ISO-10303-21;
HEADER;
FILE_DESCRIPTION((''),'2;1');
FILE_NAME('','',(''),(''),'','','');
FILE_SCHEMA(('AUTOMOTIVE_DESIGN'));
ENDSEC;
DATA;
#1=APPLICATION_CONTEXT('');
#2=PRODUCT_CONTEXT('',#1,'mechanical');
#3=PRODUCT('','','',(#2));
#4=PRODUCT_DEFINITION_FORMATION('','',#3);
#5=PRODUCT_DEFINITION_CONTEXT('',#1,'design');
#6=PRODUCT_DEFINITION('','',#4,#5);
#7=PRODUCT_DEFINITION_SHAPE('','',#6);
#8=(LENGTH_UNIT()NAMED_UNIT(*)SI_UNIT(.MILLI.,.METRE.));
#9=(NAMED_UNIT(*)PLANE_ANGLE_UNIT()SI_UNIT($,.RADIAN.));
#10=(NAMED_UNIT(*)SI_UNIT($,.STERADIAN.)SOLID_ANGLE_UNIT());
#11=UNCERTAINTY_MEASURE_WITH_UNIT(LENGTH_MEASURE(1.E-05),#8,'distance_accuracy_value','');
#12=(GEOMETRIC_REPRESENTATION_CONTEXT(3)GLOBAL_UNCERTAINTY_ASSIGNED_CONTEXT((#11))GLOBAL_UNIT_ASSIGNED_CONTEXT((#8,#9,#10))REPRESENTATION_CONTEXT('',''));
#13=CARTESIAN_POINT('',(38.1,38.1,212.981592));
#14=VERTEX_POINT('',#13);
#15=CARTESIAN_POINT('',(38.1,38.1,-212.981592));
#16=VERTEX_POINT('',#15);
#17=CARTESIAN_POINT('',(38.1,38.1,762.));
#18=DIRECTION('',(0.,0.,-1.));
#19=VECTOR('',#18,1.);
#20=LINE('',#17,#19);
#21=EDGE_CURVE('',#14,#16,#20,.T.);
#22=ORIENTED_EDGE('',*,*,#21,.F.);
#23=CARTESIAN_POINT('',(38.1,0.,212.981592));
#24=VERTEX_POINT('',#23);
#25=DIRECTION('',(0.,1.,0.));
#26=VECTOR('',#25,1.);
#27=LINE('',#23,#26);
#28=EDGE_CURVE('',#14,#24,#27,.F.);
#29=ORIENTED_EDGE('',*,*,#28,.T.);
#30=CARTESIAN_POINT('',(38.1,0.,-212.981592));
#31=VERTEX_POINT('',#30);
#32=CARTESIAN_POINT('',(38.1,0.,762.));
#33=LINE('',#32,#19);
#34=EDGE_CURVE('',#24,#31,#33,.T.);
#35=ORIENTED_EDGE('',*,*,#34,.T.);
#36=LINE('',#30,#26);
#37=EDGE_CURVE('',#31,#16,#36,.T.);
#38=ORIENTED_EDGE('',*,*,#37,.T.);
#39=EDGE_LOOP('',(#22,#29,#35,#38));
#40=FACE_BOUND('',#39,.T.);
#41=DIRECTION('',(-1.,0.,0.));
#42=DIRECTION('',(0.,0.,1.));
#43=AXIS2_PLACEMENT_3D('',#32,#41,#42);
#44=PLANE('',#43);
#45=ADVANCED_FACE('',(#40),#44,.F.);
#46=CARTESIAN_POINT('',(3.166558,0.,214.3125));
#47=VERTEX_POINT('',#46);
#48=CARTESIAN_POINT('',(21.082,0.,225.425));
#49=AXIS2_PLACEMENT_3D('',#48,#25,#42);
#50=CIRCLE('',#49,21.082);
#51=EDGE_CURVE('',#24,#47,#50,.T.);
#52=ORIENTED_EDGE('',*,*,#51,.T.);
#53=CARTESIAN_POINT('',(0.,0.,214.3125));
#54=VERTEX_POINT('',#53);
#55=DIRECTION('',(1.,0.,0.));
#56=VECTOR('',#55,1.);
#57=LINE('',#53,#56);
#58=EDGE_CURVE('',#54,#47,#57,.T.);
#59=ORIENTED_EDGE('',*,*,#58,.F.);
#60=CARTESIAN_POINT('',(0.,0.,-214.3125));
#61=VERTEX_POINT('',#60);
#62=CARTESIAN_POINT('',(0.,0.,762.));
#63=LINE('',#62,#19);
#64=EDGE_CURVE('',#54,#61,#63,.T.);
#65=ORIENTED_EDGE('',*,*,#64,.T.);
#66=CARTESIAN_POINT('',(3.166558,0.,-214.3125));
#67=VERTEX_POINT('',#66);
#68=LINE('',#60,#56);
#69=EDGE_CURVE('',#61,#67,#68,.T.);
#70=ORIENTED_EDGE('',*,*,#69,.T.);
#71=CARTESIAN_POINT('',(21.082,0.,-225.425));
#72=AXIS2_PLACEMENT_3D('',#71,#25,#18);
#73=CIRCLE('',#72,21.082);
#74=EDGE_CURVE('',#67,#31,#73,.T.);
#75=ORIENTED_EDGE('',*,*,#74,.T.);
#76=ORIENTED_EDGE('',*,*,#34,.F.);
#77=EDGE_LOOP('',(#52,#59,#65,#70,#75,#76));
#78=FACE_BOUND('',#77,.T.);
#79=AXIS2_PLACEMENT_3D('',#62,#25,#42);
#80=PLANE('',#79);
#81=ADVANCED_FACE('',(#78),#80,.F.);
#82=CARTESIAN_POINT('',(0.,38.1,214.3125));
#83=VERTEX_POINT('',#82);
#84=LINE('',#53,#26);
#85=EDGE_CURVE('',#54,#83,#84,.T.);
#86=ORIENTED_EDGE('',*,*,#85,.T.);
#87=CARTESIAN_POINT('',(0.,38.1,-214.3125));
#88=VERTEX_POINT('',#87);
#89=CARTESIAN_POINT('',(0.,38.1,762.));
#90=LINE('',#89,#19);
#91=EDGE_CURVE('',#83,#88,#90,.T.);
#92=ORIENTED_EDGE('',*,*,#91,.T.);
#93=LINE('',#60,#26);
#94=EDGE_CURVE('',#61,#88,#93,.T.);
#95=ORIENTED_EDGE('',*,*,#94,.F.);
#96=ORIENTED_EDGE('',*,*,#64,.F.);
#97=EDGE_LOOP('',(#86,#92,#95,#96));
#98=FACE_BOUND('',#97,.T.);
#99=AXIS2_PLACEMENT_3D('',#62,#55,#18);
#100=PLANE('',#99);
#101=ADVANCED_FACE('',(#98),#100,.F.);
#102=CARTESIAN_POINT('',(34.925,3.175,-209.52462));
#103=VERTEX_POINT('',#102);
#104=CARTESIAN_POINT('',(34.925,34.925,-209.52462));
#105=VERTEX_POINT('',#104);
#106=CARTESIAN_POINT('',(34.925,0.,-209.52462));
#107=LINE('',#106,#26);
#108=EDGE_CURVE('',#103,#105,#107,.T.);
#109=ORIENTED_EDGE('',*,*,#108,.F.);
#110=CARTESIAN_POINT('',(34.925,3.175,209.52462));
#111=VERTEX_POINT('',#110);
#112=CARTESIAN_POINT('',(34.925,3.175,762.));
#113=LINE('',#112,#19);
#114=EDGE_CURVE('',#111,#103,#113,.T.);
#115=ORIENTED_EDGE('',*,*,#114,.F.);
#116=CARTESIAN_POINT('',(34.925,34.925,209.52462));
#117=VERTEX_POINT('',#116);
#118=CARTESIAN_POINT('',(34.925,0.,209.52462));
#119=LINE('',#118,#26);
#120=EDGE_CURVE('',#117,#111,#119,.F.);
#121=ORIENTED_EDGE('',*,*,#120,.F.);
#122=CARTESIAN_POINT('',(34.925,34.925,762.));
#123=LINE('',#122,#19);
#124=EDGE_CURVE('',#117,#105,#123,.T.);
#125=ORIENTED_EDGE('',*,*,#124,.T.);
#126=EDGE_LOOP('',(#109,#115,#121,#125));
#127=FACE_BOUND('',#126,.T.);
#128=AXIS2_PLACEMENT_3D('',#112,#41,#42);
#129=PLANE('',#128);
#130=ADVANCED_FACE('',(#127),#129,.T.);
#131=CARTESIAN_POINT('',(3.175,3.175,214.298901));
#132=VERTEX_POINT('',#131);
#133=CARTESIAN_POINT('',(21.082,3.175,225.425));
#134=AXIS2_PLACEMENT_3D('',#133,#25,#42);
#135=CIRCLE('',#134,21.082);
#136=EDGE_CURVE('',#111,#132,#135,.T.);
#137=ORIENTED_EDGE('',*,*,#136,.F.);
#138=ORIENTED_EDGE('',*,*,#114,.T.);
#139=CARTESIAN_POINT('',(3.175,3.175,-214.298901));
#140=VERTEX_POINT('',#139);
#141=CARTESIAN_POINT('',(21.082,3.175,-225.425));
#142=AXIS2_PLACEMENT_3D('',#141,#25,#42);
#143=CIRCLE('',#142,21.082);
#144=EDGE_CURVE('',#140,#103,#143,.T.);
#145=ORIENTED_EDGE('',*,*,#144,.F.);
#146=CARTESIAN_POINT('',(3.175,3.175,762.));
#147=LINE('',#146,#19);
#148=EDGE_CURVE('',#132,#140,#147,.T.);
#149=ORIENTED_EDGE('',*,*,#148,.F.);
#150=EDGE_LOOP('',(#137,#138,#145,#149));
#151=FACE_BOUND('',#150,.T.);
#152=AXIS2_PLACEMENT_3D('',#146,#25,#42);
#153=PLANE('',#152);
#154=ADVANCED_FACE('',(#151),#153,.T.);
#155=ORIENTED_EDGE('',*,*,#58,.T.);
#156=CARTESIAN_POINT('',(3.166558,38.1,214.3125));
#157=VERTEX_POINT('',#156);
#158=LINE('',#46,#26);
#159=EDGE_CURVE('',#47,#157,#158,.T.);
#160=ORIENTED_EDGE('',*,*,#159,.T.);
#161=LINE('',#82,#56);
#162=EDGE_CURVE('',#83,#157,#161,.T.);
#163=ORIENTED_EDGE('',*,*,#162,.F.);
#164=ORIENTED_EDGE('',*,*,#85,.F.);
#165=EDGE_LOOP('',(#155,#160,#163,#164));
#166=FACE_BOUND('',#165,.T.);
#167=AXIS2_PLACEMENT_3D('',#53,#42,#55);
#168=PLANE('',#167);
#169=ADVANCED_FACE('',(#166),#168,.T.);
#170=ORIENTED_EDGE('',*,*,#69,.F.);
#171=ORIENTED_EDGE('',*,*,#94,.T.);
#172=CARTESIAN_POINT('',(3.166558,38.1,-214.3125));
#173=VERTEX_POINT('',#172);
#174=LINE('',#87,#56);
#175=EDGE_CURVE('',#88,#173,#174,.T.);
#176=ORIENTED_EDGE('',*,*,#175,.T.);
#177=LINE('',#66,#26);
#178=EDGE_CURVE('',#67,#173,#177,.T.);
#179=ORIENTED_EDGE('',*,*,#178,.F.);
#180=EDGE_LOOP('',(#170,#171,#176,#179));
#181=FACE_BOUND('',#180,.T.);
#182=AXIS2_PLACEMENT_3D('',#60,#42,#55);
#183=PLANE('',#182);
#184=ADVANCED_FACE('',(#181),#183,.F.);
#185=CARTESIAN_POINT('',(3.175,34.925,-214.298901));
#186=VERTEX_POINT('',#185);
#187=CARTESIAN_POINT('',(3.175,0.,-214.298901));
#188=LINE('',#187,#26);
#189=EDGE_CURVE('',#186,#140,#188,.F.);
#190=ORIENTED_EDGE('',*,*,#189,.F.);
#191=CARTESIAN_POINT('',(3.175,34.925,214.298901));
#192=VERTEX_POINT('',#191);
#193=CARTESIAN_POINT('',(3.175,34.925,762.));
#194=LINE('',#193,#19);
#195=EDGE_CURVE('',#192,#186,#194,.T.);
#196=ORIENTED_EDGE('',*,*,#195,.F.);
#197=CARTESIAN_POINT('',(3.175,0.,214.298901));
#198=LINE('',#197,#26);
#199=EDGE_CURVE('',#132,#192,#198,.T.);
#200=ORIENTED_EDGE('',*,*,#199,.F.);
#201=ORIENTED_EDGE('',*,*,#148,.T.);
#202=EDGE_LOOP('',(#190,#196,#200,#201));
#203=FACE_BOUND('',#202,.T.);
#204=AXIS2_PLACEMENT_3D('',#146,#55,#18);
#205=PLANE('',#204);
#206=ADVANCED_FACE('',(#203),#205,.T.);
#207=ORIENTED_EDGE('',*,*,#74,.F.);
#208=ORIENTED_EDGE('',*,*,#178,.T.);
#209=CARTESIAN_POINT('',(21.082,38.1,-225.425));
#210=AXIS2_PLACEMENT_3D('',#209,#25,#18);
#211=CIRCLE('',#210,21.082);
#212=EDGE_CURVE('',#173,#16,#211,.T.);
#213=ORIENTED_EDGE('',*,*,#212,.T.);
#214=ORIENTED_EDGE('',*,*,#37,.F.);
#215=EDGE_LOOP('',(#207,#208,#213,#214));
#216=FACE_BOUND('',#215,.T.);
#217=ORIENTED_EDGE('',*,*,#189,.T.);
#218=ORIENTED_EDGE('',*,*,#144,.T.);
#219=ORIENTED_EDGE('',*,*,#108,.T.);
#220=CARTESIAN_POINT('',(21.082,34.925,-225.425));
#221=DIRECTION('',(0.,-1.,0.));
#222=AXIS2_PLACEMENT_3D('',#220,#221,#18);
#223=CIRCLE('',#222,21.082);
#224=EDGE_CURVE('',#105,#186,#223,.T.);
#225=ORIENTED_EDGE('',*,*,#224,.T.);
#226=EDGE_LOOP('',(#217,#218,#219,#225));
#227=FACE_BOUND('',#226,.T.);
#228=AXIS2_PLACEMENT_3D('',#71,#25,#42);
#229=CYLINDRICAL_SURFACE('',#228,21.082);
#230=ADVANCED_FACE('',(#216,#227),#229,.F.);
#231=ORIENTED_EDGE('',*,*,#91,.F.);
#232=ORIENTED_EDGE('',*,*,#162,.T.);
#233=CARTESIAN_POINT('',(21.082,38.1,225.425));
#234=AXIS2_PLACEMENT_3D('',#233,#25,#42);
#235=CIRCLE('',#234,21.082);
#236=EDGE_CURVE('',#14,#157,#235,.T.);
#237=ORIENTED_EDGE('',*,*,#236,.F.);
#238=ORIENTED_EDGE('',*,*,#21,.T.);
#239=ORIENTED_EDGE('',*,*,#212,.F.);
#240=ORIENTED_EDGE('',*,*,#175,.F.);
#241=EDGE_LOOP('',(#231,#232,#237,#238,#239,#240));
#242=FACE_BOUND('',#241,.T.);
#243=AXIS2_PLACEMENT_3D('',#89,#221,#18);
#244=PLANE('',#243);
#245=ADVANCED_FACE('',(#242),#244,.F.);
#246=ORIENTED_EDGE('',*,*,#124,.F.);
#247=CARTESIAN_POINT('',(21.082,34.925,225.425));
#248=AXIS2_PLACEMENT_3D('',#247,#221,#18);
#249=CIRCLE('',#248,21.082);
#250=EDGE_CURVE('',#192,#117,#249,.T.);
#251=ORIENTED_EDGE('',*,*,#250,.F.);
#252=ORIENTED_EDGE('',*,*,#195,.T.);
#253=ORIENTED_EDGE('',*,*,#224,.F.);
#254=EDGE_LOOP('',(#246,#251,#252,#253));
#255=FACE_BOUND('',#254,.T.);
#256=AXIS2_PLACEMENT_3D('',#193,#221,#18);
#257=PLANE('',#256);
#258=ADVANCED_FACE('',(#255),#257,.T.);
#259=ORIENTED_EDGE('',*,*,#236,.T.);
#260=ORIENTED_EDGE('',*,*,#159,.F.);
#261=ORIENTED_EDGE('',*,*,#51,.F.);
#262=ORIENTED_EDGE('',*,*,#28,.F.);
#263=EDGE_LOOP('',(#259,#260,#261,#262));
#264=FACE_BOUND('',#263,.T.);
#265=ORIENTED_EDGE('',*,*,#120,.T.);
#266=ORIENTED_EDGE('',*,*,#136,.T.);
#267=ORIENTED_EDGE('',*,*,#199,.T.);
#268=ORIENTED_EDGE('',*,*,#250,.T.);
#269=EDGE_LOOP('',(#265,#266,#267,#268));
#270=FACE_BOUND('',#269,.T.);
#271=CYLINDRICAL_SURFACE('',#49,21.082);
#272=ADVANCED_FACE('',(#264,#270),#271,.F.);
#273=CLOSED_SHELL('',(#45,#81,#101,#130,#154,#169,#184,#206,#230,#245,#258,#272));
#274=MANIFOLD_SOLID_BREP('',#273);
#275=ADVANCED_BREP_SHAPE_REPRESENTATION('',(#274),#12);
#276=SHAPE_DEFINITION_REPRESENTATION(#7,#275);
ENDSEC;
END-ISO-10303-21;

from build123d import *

# Parameters (mm, degrees)
SKETCH2_W                = 38.1
SKETCH2_H                = 38.1
SKETCH2_W_2              = 31.75
SKETCH2_H_2              = 31.75
BOSS_EXTRUDE1_DEPTH      = 762
BOSS_EXTRUDE1_DEPTH_BACK = 762
SKETCH3_R                = 21.082
CUT_EXTRUDE1_DEPTH       = 764.902624685
CUT_EXTRUDE2_DEPTH       = 232.775000254


with BuildPart() as part:
    # Sketch2 → Boss-Extrude1 (new, two sides)
    with BuildSketch(Plane.XY) as boss_extrude1_sk:
        with Locations((19.05, 19.05)):
            Rectangle(SKETCH2_W, SKETCH2_H)
        with Locations((19.05, 19.05)):
            Rectangle(SKETCH2_W_2, SKETCH2_H_2, mode=Mode.SUBTRACT)
    extrude(amount=BOSS_EXTRUDE1_DEPTH)
    extrude(boss_extrude1_sk.sketch, amount=-BOSS_EXTRUDE1_DEPTH_BACK)

    # Sketch3 → Cut-Extrude1 (cut, through all)
    with BuildSketch(Plane(origin=(0, 38.1, 0), x_dir=(1, 0, 0), z_dir=(0, 1, 0))):
        with Locations((21.082, -225.425)):
            Circle(SKETCH3_R)
        with Locations((21.082, 225.425)):
            Circle(SKETCH3_R)
    extrude(amount=-CUT_EXTRUDE1_DEPTH, mode=Mode.SUBTRACT)


with BuildPart() as cut_extrude1_kept_piece:
    # of the separate pieces the step leaves, the one the design keeps (cut_extrude1_pieces_kept)
    add(part.part.solids().sort_by_distance((38.1, 38.1, 212.981592107))[0])

    # Sketch4 → Cut-Extrude2 (cut, through all)
    with BuildSketch(Plane(origin=(0, 38.1, 0), x_dir=(1, 0, 0), z_dir=(0, 1, 0))):
        with BuildLine():
            Line((0, -214.3125), (0, -225.425))
            ThreePointArc((0, -225.425), (0.807088464, -219.647570969), (3.166557841, -214.3125))
            Line((3.166557841, -214.3125), (0, -214.3125))
        make_face()
        with BuildLine():
            Line((0, 225.425), (0, 214.3125))
            Line((0, 214.3125), (3.166557841, 214.3125))
            ThreePointArc((3.166557841, 214.3125), (0.807088464, 219.647570969), (0, 225.425))
        make_face()
    extrude(amount=-CUT_EXTRUDE2_DEPTH, mode=Mode.SUBTRACT)


solid = cut_extrude1_kept_piece.part
